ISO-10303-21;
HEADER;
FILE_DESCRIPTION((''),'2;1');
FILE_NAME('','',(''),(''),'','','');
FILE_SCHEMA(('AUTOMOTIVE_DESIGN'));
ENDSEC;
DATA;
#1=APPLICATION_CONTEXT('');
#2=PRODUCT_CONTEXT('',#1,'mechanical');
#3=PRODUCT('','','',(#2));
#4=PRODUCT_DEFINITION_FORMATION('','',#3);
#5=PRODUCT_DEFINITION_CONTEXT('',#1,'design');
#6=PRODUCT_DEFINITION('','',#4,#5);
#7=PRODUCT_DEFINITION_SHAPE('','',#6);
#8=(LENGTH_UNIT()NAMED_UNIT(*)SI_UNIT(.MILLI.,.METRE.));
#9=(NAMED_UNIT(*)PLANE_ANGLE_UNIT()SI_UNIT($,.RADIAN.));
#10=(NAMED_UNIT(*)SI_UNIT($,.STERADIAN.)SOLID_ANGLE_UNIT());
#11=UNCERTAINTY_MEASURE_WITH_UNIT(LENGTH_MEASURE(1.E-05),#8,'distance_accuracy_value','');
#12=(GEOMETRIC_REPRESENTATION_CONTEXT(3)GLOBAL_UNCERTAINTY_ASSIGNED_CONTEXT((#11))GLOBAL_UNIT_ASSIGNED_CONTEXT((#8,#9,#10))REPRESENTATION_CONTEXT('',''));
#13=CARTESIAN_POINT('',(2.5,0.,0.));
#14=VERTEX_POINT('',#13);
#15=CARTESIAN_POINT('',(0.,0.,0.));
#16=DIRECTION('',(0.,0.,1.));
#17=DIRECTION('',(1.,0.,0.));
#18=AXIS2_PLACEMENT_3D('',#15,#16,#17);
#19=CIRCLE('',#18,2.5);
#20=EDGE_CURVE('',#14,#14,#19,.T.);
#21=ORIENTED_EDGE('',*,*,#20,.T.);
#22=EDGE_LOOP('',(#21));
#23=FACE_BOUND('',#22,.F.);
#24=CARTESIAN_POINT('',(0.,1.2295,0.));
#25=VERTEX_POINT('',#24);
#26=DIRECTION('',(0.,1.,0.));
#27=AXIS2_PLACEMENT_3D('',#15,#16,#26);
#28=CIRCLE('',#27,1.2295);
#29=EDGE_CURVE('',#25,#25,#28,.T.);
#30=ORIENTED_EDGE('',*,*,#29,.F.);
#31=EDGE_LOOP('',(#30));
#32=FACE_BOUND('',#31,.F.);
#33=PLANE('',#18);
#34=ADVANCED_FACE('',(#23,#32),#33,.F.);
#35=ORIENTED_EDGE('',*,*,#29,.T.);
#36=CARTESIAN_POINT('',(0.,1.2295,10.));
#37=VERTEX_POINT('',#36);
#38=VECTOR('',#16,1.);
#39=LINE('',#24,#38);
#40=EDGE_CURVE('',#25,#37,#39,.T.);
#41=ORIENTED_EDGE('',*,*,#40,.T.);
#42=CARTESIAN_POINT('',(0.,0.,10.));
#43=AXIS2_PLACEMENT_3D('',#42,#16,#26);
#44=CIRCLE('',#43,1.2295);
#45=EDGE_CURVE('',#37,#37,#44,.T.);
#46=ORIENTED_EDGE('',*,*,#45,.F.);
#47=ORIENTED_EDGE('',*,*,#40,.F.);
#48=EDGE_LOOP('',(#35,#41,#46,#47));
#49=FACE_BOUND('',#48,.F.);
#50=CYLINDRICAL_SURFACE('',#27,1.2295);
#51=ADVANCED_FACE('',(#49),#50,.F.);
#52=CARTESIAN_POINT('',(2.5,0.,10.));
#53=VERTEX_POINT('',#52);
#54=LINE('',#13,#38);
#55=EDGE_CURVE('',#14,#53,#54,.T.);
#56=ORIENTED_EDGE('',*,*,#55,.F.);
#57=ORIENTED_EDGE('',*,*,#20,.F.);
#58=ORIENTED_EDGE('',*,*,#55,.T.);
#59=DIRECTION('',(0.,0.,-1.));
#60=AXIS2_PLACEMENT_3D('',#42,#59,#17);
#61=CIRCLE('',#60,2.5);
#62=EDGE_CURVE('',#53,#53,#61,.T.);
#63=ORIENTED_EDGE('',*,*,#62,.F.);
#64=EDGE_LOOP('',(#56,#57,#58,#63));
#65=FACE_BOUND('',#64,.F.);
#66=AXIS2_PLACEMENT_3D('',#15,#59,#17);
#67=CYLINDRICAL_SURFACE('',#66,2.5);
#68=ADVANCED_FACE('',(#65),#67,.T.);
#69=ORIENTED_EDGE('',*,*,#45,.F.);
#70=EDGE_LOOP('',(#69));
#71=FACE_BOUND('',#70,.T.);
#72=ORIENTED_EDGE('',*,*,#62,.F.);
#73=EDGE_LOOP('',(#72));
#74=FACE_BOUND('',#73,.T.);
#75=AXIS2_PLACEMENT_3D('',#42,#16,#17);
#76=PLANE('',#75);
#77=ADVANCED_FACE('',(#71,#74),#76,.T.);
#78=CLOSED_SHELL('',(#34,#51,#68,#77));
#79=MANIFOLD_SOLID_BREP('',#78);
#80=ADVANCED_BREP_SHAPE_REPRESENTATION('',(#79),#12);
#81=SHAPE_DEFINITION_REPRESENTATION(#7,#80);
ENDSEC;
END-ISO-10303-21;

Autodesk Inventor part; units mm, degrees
ref_plane "YZ Plane" through (0, 0, 0) normal (1, 0, 0) x (0, 1, 0)
ref_plane "XZ Plane" through (0, 0, 0) normal (0, 1, 0) x (-1, 0, 0)
ref_plane "XY Plane" through (0, 0, 0) normal (0, 0, 1) x (1, 0, 0)
sketch "Sketch1" plane through (0, 0, 0) normal (0, 0, 1) x (1, 0, 0)
  line L0 (-3.5, 0) -> (3.5, 0) projected
  line L1 (0, 3.5) -> (0, -3.5) projected
  circle A0 centre (0, 0) radius 2.5
  dimension "d0" = 5
extrude "Extrusion1" add sketch "Sketch1" along normal blind 10
sketch "Sketch2" plane through (0, 0, 0) normal (0, 0, 1) x (1, 0, 0)
  line L0 (-14, 0) -> (14, 0) projected
  line L1 (0, 14) -> (0, -14) projected
  point P0 (0, 0)
  point P1 (0, 0)
hole "Hole1" at (0, 0, 0) direction (0, 0, 1) diameter 2.459 end through all thread size "M3x0.5" class "6H" standard "ISO Metric profile"
properties part number "stand M3-L20"
